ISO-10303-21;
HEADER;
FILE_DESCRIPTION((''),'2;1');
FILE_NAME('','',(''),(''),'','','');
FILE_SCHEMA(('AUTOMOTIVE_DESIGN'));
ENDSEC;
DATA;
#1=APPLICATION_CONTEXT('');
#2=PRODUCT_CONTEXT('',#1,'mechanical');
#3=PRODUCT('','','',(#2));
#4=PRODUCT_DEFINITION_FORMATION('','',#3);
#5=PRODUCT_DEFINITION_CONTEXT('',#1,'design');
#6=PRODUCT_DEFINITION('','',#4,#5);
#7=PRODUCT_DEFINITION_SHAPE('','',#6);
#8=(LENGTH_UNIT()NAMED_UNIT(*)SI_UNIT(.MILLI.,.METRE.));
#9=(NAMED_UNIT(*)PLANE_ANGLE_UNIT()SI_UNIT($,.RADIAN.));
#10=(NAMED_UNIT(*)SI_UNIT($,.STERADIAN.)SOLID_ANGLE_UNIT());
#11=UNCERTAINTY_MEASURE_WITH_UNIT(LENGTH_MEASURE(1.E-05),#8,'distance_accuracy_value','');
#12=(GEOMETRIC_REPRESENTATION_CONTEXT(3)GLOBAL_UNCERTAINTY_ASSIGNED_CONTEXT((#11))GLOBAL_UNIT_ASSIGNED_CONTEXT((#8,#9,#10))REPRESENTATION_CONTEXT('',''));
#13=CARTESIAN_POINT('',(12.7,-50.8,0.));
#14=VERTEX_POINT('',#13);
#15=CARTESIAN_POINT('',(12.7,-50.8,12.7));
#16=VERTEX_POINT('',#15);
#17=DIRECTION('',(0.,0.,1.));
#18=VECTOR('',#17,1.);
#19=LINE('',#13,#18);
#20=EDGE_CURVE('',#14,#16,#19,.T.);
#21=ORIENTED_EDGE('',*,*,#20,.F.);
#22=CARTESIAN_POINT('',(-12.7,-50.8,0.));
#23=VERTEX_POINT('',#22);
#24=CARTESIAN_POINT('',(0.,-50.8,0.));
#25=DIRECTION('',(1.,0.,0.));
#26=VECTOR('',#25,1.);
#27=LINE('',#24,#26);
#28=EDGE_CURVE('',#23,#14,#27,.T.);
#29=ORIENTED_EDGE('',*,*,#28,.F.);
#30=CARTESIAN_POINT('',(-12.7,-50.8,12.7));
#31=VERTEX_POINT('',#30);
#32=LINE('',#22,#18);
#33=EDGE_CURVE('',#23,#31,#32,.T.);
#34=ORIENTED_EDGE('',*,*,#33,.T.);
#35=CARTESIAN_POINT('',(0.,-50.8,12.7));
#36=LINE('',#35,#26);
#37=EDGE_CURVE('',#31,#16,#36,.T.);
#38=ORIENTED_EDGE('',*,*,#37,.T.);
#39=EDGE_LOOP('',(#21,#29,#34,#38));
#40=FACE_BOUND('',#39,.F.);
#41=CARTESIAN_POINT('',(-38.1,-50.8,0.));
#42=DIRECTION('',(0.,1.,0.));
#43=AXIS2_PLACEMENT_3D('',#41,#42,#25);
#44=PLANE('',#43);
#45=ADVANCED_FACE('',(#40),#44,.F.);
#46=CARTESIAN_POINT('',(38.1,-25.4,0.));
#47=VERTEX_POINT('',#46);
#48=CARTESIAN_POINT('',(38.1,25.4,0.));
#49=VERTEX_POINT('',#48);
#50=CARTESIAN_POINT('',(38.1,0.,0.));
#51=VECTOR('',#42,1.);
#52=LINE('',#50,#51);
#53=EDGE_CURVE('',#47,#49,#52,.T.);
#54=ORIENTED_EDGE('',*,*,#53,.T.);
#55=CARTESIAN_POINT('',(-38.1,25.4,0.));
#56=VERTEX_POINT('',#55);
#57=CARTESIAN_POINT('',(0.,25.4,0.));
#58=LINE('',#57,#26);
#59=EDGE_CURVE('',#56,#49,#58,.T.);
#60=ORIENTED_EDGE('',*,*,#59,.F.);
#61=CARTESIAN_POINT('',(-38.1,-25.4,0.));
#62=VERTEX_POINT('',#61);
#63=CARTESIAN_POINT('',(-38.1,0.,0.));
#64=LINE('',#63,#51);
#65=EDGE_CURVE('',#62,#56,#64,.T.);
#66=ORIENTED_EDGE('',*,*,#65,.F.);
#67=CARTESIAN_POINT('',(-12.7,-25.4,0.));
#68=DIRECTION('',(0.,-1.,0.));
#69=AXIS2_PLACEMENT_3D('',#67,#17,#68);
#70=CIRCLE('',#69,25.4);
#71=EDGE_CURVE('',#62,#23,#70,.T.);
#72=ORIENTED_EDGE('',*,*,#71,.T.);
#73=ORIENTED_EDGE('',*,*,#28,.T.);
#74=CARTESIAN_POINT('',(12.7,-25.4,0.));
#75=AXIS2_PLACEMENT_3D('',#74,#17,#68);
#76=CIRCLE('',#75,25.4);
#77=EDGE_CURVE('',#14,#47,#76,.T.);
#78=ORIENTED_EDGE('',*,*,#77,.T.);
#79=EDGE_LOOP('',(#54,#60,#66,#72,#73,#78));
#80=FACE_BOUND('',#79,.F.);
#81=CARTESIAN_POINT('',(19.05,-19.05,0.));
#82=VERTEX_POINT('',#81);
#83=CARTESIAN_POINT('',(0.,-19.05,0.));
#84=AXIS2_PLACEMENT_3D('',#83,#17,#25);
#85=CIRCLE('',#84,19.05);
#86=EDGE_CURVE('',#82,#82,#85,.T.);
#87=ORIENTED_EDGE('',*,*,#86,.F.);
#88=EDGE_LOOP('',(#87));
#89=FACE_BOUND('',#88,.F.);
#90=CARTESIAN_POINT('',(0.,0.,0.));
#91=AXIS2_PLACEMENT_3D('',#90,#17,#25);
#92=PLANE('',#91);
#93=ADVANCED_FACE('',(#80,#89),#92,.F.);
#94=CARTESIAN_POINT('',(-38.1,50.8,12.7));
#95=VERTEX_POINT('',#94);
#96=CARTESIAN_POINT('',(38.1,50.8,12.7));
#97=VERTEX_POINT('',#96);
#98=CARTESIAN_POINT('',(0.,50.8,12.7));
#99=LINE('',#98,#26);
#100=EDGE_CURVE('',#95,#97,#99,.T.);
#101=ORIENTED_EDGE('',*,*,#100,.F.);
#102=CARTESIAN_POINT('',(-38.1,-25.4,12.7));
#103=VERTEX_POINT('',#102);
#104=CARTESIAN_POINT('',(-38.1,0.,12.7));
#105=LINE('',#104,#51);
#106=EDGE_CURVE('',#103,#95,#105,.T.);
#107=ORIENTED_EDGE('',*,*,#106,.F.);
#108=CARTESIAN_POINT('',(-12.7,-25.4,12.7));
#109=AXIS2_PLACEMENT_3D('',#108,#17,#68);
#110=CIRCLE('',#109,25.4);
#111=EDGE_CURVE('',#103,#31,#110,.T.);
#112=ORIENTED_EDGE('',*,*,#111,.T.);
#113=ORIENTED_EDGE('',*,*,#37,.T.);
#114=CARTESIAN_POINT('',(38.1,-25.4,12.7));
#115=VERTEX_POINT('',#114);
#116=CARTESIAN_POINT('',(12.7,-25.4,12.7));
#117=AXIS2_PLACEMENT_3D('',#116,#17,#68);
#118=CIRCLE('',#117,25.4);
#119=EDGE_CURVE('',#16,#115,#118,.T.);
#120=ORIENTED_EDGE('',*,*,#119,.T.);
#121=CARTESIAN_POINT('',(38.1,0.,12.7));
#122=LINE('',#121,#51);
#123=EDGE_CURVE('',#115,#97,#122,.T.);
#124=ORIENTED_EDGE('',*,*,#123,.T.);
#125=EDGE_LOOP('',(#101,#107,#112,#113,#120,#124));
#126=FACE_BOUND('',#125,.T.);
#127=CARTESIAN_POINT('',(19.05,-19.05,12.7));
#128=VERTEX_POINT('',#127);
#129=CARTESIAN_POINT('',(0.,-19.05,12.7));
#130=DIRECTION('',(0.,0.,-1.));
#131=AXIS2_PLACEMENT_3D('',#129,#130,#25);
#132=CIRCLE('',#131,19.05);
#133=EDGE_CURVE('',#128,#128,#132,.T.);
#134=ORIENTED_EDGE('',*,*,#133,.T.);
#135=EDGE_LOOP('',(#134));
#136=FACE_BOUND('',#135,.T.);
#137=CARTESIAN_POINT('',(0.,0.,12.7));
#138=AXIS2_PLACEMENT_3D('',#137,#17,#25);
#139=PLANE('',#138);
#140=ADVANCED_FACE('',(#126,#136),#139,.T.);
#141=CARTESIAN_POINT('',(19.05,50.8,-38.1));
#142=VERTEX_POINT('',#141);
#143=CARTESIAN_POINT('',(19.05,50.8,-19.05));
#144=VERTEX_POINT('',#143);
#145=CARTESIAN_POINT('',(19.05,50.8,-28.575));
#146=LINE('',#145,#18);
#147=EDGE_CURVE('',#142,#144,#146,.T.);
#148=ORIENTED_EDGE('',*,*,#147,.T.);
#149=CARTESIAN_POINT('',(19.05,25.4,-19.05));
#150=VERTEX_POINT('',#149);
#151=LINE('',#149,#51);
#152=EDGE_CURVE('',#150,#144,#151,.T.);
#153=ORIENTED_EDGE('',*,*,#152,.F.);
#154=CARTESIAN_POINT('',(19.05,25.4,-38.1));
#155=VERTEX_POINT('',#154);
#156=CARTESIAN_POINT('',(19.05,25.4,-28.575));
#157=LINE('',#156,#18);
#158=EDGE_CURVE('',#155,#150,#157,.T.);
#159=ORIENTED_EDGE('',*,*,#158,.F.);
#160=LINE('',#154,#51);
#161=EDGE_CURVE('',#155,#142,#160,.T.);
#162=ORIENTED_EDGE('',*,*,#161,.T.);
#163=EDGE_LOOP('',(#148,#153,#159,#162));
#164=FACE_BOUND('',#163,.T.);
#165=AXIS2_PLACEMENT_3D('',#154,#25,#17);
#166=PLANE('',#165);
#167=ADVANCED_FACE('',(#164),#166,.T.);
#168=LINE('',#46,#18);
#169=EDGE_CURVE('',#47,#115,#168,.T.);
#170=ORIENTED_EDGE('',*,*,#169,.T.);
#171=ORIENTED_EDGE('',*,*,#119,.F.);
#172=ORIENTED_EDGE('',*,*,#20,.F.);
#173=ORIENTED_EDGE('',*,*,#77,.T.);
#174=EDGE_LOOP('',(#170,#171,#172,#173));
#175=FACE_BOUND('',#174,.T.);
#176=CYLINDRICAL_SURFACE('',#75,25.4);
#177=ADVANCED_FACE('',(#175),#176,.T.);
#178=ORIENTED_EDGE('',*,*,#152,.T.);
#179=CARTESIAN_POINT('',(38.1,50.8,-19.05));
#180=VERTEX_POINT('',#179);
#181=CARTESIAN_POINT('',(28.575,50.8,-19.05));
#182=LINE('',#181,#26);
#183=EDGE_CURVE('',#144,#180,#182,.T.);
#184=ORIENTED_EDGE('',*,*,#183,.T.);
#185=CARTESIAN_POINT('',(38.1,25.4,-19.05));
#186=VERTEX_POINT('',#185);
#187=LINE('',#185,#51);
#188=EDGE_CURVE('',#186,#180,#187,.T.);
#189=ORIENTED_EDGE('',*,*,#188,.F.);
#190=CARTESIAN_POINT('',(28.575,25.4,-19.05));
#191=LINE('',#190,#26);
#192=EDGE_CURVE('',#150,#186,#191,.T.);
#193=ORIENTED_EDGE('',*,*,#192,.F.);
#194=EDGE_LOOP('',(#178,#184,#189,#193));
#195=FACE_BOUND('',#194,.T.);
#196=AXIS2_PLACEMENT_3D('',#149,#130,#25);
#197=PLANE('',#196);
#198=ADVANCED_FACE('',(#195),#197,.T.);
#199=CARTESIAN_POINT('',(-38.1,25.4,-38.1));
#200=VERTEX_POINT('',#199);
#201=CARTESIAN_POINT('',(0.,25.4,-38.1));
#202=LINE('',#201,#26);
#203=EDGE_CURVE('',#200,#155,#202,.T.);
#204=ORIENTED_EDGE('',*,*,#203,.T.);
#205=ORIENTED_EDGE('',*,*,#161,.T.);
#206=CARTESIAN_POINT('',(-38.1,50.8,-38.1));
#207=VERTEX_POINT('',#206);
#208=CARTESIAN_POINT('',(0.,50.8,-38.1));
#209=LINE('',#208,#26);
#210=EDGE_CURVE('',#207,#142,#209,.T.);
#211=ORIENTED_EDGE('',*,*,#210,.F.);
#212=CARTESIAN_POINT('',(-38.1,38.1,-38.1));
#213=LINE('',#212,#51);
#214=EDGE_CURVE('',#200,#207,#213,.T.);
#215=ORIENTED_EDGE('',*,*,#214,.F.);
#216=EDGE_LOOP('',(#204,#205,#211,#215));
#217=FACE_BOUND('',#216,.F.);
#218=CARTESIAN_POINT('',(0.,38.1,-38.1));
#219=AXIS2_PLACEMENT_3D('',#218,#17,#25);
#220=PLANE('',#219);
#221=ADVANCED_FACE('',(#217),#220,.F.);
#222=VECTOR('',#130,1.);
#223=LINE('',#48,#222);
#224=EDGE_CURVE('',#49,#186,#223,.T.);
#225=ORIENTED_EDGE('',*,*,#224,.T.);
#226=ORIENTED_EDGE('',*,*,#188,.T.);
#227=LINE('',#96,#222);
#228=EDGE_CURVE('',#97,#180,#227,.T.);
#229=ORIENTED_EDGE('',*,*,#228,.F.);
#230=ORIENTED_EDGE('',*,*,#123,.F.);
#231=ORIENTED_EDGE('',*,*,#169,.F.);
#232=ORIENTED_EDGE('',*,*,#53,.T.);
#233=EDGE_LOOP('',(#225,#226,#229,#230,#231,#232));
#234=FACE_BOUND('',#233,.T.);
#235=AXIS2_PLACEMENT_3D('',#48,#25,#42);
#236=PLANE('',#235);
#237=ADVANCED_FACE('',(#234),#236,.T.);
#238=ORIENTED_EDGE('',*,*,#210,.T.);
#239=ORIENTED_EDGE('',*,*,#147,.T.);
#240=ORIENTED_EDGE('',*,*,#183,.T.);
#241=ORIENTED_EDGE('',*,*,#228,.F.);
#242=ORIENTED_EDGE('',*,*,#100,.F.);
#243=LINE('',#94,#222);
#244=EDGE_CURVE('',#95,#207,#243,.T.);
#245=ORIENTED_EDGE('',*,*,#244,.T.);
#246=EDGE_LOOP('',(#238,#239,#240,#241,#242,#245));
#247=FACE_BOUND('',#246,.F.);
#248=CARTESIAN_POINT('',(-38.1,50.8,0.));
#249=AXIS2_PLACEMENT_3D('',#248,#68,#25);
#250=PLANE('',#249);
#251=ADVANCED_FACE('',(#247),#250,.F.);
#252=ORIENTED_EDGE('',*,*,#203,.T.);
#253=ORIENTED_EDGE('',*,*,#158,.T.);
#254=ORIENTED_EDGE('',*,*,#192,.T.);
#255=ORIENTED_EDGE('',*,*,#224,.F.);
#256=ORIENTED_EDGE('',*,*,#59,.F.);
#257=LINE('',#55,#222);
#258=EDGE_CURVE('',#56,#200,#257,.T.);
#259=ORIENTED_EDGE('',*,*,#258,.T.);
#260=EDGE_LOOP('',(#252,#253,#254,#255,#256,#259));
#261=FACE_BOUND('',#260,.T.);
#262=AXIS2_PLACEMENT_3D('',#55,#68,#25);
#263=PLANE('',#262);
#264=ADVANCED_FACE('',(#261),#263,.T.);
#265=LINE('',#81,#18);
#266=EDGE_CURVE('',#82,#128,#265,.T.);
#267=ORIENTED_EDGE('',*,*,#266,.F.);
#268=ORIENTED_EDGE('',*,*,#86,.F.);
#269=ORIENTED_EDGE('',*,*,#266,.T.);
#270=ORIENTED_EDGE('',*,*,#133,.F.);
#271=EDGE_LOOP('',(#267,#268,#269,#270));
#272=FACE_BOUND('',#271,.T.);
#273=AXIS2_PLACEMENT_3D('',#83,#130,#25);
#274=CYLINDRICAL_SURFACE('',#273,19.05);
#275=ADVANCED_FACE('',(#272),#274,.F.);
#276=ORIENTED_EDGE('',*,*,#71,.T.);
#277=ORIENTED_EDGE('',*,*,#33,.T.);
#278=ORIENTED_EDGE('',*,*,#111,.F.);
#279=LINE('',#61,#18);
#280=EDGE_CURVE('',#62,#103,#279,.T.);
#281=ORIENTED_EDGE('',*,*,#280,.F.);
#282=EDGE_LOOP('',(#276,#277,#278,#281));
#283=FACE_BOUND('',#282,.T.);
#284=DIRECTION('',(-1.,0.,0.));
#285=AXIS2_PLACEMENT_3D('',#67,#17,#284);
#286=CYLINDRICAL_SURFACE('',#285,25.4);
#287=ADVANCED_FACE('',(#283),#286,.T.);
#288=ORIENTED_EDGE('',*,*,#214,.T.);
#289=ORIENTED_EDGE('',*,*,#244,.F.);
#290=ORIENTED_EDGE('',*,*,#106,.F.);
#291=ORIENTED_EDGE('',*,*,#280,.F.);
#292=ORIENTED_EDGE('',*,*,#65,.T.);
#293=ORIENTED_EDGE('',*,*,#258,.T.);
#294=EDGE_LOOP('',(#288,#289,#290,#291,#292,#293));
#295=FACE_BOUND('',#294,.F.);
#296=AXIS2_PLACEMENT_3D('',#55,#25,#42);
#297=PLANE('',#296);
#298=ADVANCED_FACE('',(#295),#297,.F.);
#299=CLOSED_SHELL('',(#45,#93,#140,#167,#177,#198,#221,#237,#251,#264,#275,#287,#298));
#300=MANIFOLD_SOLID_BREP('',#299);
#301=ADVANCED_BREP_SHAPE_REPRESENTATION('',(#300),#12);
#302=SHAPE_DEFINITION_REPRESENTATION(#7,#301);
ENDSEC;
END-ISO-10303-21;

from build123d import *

# Parameters (mm, degrees)
F0_W     = 76.2
F0_H     = 101.6
F1_DEPTH = 12.7
F2_R     = 19.05
F3_DEPTH = 25.4
F4_W     = 76.2
F4_H     = 25.4
F5_DEPTH = 38.1
F6_W     = 19.05
F6_H     = 19.05
F7_DEPTH = 25.4
F8_R     = 25.4


with BuildPart() as f1:
    # F0 (on Top) → F1 (new body)
    with BuildSketch(Plane.XY):
        Rectangle(F0_W, F0_H)
    extrude(amount=F1_DEPTH)

    # F2 (on Top) → F3 (cut)
    with BuildSketch(Plane.XY):
        with Locations((0, -19.05)):
            Circle(F2_R)
    extrude(amount=F3_DEPTH, mode=Mode.SUBTRACT)

    # F4 (on Top) → F5 (join)
    with BuildSketch(Plane.XY):
        with Locations((0, 38.1)):
            Rectangle(F4_W, F4_H)
    extrude(amount=-F5_DEPTH)

    # F6 (on face) → F7 (cut)
    with BuildSketch(Plane.XZ.offset(-25.4)):
        with Locations((28.575, -28.575)):
            Rectangle(F6_W, F6_H)
    extrude(amount=-F7_DEPTH, mode=Mode.SUBTRACT)

    # F8
    f8_edges = [f1.edges().sort_by_distance(p)[0] for p in [
        (38.1, -50.8, 6.35),
        (-38.1, -50.8, 6.35),
    ]]
    fillet(f8_edges, radius=F8_R)


solid = f1.part
